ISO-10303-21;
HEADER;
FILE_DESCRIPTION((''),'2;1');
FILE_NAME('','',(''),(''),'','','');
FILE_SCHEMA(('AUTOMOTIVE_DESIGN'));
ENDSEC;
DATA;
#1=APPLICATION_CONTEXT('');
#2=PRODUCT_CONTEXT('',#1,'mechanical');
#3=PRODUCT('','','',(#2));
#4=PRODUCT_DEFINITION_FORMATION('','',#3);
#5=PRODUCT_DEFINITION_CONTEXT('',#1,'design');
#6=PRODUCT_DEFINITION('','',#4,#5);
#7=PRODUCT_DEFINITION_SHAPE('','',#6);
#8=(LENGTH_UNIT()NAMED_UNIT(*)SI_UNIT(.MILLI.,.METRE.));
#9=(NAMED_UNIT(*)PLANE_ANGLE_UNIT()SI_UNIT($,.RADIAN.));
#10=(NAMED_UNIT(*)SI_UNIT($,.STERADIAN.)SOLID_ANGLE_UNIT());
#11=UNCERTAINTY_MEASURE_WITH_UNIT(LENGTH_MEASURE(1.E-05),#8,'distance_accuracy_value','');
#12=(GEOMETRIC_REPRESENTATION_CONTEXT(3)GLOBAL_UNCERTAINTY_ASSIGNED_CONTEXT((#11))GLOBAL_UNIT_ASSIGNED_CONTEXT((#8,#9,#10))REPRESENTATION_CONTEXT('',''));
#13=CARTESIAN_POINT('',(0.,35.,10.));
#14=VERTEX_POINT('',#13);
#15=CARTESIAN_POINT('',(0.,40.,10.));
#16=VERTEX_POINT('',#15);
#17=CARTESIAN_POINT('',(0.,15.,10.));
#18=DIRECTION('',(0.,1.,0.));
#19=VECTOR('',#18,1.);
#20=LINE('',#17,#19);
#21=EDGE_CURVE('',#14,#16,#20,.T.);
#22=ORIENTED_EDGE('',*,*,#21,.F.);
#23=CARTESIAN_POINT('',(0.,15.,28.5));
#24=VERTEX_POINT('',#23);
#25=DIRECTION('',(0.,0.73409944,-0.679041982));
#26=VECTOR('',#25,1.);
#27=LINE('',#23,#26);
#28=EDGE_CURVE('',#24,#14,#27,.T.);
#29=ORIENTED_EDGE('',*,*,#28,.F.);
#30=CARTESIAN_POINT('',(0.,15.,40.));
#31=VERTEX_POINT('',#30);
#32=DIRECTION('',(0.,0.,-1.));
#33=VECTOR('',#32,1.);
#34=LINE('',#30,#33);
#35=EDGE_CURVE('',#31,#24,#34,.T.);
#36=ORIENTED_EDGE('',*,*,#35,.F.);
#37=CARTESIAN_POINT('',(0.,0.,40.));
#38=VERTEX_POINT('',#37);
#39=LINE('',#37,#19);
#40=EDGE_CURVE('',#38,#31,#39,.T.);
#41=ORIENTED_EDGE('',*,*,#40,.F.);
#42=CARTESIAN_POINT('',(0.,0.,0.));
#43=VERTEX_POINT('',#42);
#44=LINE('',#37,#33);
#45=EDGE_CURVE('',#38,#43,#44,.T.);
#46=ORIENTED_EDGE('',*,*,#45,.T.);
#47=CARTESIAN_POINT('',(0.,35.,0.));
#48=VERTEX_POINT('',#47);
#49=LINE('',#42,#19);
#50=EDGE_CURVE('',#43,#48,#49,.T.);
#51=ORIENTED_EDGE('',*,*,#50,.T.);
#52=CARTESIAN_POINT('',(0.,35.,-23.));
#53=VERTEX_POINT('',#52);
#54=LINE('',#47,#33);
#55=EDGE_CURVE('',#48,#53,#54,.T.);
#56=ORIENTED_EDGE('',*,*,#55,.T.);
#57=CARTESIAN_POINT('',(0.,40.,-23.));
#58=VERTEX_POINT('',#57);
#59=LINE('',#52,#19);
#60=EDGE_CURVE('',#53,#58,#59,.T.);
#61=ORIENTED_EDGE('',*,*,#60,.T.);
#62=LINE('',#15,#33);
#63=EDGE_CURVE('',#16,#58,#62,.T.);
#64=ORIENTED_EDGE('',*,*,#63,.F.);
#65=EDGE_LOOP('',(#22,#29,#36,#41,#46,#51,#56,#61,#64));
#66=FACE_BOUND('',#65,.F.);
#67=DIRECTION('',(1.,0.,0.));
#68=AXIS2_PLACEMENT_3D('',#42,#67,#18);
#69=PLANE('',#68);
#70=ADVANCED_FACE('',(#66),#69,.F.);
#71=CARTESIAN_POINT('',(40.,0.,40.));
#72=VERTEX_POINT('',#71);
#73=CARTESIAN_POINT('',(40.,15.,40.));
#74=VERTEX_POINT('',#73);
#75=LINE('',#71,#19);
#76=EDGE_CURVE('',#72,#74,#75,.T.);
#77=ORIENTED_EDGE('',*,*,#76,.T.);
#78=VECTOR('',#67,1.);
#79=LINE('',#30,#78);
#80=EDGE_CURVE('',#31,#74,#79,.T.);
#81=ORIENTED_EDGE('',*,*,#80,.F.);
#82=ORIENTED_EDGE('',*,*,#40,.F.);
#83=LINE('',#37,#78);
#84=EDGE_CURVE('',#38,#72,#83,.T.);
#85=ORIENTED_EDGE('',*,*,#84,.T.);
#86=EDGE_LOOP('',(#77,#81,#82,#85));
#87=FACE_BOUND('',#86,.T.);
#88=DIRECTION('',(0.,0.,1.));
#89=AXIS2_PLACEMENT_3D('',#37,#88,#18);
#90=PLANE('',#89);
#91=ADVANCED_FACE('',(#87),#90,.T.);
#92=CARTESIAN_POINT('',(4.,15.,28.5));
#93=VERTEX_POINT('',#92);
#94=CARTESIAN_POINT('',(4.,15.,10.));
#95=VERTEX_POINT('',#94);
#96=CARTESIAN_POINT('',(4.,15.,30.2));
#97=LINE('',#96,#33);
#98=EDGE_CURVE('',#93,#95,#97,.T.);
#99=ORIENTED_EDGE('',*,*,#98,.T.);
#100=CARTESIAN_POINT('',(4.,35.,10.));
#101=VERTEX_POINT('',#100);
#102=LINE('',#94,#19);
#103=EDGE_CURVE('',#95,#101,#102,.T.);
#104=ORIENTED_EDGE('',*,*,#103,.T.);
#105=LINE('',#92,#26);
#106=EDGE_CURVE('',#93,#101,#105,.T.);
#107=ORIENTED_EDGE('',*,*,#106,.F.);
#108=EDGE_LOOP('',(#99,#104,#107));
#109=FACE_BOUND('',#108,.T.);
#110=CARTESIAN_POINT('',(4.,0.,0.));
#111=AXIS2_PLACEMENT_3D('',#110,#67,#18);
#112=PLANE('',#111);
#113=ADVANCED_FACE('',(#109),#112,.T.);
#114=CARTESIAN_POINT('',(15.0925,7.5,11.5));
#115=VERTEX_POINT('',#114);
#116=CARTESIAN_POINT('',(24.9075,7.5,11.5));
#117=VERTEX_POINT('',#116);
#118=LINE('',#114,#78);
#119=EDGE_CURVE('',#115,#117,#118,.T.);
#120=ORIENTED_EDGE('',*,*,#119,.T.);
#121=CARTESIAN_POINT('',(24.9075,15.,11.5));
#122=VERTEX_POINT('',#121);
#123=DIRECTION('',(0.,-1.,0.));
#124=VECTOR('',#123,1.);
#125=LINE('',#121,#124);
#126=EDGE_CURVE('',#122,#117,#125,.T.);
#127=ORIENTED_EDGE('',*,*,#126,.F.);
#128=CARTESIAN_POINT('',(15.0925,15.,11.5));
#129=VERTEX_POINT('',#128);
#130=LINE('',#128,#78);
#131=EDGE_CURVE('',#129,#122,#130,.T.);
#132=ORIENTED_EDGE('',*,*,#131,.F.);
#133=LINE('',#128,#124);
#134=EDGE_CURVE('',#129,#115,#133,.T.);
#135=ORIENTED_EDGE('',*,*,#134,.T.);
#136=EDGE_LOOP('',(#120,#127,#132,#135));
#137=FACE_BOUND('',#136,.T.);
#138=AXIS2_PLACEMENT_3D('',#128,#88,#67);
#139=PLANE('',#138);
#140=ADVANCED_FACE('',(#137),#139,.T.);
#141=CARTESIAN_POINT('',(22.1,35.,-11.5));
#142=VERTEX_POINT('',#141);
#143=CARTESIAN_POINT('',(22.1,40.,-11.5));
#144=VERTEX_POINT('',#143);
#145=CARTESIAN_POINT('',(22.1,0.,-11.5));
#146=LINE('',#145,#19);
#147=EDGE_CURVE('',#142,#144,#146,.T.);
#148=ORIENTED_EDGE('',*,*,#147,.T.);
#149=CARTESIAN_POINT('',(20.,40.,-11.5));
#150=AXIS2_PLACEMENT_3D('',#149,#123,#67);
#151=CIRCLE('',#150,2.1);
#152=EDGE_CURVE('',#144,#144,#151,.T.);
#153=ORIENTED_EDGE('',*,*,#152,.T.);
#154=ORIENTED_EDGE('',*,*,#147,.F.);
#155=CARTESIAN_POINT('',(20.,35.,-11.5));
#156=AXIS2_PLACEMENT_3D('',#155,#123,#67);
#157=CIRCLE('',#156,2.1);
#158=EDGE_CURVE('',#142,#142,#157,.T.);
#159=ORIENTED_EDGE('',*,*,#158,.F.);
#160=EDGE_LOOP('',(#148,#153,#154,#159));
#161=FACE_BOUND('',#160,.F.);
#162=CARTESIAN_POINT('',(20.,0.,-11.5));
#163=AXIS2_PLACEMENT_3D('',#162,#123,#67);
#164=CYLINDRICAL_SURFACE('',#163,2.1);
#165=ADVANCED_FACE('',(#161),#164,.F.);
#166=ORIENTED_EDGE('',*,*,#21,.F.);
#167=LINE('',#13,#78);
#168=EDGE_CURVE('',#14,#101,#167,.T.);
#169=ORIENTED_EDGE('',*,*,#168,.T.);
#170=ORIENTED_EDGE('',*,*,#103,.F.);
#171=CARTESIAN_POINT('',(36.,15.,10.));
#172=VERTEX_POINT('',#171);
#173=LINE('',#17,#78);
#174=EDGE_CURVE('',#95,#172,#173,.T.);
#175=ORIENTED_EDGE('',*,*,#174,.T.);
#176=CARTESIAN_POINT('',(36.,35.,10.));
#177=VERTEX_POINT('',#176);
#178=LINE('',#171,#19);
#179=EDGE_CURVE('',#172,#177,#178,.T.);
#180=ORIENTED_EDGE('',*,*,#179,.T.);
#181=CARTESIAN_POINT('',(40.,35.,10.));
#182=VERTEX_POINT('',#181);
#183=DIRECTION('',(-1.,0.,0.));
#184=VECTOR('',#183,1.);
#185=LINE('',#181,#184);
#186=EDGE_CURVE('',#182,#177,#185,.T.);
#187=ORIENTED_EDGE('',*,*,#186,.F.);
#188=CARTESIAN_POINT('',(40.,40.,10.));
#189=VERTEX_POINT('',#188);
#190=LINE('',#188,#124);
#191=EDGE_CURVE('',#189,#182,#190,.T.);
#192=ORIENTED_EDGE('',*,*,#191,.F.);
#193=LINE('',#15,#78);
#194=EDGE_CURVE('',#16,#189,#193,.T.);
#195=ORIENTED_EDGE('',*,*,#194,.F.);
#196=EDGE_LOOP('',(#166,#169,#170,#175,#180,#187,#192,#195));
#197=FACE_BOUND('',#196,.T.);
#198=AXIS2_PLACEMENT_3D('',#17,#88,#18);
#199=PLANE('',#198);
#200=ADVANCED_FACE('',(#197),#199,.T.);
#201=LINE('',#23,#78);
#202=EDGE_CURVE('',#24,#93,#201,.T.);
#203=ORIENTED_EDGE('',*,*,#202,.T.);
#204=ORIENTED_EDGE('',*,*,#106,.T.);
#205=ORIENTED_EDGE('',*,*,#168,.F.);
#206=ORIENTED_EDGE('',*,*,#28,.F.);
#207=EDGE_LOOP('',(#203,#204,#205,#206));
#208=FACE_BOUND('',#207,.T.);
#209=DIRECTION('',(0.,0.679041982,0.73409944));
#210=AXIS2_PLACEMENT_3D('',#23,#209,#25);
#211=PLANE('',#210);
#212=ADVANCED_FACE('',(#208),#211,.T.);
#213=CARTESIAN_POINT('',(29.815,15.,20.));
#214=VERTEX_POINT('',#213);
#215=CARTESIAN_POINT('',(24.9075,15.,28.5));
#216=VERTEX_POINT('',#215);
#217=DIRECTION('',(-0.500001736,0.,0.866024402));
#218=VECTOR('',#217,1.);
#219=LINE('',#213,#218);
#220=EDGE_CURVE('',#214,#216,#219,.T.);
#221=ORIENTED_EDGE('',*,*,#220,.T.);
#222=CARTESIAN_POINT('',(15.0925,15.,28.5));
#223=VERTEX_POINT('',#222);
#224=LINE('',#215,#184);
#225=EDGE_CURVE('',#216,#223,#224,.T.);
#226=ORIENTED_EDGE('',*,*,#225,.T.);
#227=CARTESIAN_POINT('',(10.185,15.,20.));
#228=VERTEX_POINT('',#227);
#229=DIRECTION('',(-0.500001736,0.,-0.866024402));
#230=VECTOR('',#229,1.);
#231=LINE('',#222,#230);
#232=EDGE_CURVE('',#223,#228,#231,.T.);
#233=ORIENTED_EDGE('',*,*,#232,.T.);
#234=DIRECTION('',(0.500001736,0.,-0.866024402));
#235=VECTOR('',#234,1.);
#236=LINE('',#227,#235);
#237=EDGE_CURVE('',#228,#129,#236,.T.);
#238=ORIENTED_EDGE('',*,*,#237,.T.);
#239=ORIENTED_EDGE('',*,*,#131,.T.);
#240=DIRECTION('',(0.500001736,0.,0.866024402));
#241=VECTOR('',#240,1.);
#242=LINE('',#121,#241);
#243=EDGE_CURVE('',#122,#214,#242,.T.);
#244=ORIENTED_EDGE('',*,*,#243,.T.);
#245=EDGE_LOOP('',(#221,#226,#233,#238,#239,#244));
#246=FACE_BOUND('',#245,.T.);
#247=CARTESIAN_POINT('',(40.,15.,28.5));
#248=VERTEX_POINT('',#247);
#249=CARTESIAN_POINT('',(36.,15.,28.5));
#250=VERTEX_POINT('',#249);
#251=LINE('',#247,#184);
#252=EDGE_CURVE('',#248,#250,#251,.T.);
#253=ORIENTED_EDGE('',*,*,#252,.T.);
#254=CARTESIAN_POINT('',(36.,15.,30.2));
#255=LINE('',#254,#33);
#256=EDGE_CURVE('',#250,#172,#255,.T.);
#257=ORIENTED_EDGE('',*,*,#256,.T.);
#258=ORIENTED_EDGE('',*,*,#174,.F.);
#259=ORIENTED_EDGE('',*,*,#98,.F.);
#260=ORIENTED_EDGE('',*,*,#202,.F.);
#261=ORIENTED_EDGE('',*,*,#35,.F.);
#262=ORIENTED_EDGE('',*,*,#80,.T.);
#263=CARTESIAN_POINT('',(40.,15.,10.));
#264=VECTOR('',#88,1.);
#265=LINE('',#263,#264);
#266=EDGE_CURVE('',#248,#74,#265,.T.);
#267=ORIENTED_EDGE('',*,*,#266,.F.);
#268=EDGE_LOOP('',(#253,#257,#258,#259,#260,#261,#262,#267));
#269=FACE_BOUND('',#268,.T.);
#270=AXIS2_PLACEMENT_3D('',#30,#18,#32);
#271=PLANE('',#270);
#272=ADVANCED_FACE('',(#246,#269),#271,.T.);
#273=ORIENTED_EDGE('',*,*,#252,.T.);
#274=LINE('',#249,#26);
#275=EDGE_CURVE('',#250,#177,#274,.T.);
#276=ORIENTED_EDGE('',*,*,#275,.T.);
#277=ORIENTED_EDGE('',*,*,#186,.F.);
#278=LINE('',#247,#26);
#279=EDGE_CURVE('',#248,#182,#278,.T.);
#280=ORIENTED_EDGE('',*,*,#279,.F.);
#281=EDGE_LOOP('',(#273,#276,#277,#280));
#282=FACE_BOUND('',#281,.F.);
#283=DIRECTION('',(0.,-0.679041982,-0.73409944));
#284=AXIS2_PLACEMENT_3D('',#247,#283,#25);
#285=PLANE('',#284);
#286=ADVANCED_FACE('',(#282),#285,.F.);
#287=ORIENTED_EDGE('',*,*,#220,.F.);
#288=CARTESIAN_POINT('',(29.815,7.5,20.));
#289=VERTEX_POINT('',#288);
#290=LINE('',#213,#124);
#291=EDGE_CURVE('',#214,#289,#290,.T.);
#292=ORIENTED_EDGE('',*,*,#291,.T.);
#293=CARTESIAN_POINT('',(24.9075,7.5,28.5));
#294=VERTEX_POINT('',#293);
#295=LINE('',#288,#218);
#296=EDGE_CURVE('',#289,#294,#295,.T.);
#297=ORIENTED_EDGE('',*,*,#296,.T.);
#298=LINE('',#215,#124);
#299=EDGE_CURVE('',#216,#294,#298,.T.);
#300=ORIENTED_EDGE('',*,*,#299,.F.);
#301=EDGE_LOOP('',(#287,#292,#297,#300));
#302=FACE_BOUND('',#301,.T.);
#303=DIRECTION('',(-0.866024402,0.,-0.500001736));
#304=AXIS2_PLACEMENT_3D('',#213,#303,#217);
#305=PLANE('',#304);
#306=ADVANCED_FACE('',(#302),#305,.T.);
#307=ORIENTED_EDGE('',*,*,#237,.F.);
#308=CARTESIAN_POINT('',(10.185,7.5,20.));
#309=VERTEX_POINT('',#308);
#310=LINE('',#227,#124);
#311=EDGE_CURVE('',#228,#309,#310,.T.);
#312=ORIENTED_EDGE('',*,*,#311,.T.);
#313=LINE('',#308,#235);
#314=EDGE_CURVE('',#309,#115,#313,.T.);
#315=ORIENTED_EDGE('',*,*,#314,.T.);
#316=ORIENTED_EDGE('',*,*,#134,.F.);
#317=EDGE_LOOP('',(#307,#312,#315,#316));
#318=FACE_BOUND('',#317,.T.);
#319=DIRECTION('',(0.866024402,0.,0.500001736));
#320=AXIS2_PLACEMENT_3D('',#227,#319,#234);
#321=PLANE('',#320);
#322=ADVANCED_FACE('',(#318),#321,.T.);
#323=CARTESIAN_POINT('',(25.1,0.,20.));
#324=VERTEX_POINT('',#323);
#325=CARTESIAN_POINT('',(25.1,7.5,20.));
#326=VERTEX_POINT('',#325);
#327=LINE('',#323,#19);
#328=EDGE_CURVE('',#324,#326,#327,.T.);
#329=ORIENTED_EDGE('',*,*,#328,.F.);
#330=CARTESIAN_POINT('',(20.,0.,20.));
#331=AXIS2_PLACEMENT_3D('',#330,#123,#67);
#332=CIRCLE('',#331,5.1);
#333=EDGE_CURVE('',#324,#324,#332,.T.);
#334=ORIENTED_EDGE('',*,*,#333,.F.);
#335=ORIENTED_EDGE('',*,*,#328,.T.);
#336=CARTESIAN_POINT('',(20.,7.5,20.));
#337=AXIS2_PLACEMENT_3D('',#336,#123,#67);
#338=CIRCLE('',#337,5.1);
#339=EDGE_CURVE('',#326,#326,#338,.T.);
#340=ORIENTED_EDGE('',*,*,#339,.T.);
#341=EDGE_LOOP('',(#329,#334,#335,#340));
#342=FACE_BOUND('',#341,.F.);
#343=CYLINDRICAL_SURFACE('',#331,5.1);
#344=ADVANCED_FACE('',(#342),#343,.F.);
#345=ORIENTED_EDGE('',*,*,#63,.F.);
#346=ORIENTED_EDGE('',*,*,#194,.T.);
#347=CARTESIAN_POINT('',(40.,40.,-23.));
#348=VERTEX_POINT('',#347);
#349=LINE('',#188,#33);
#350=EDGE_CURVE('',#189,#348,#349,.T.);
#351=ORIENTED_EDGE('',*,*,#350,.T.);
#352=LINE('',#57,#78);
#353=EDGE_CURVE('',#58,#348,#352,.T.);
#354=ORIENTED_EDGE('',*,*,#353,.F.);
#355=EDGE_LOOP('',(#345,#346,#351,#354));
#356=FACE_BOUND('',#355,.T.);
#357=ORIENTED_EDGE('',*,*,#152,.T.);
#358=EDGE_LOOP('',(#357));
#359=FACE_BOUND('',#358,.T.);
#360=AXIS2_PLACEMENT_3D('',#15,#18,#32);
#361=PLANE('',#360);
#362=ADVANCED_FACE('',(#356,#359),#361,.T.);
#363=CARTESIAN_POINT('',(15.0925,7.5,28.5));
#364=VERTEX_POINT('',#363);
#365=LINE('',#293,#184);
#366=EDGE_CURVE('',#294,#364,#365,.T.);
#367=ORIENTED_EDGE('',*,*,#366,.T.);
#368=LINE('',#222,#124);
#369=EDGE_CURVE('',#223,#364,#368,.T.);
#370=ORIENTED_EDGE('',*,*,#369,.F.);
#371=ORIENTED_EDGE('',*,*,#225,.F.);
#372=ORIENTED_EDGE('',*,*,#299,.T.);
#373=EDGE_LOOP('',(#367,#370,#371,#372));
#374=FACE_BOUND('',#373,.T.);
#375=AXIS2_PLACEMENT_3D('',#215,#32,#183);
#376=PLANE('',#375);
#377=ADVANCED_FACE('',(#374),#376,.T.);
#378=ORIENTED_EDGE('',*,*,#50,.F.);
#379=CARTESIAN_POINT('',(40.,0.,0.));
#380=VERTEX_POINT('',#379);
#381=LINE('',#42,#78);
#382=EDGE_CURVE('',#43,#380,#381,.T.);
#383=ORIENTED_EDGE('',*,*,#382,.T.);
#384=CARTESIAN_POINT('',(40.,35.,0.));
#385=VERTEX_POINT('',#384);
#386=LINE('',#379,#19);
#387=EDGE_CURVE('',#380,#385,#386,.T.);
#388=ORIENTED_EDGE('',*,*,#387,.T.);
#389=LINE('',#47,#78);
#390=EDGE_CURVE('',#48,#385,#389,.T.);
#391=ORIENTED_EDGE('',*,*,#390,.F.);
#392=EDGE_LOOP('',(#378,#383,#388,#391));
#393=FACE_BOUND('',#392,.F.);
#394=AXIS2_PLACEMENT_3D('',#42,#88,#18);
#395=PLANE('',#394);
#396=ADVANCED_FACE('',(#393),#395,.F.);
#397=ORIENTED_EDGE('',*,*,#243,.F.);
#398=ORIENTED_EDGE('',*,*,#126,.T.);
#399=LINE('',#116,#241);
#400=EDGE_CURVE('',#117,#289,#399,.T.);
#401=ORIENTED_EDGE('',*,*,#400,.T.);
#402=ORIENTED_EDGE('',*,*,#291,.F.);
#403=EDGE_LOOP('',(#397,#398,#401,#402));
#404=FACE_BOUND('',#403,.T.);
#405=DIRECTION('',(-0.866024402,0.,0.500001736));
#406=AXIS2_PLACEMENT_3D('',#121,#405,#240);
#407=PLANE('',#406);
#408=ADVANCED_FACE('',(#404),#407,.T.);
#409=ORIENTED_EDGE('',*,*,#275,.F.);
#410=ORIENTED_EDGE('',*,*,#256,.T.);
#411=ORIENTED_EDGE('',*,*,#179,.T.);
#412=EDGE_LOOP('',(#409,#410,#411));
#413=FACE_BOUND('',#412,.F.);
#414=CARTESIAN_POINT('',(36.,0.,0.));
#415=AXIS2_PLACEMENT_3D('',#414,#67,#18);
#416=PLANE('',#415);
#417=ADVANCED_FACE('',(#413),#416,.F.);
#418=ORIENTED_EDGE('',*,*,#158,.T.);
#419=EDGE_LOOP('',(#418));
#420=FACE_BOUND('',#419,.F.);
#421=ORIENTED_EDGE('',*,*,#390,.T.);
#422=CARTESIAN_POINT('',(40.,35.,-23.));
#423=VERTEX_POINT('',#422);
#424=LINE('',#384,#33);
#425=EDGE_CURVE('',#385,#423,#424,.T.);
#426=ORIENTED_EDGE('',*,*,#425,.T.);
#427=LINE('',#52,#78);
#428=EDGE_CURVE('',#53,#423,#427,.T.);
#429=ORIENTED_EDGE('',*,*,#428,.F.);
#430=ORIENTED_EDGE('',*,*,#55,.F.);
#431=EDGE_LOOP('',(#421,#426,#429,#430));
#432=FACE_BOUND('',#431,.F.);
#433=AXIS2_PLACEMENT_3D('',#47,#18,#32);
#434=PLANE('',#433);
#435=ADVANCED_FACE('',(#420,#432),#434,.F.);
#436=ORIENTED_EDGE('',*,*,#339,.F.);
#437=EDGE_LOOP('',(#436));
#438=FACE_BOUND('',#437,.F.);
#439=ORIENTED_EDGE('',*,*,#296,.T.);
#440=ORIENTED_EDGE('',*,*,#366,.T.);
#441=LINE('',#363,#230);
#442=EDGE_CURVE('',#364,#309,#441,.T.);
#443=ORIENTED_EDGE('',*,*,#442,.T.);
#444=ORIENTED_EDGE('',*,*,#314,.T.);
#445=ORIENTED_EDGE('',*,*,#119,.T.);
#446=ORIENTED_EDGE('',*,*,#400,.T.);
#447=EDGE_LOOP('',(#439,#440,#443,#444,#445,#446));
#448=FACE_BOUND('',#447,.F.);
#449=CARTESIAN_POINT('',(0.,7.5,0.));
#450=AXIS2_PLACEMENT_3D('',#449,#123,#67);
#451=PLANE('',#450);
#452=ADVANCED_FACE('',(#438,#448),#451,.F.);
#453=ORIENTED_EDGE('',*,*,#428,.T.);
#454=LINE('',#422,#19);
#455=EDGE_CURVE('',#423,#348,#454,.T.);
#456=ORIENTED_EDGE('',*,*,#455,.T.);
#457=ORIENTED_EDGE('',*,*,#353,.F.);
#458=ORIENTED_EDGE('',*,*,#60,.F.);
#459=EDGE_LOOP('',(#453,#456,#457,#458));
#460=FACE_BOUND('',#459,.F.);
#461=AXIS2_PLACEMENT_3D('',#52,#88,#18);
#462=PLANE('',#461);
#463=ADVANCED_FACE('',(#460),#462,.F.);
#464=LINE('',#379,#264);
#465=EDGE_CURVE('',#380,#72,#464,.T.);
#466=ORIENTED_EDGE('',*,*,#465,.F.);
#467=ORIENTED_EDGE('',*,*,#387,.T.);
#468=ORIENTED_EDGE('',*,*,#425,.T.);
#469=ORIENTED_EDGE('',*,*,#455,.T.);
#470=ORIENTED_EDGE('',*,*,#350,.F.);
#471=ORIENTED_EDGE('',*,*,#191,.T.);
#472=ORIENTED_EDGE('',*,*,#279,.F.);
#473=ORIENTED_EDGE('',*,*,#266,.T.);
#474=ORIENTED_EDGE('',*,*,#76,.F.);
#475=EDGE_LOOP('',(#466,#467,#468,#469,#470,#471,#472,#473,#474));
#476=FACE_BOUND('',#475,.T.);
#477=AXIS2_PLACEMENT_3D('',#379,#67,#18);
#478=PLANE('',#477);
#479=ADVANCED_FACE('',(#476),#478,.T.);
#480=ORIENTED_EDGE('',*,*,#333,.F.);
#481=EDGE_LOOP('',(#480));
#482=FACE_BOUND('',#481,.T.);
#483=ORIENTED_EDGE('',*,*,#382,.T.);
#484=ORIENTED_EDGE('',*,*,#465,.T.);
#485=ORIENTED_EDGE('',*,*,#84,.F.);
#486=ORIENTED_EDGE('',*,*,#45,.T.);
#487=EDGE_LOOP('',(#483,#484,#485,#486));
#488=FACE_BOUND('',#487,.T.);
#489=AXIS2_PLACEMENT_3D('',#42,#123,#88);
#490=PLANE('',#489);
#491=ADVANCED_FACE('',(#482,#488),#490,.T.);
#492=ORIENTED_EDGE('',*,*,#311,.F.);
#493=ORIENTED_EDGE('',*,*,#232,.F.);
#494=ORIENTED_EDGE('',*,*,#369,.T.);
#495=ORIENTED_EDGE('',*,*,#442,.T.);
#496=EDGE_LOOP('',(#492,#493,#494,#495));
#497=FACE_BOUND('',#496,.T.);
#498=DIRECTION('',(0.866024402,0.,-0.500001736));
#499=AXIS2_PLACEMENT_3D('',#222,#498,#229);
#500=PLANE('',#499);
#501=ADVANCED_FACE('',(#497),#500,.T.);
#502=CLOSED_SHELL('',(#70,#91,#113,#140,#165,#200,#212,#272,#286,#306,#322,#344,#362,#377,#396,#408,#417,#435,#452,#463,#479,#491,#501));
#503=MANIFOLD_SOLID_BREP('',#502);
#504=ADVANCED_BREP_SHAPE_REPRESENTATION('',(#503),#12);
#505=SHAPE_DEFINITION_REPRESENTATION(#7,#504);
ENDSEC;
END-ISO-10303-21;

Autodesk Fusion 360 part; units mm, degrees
sketch "Sketch1" plane through (0, 0, 0) normal (1, 0, 0) x (0, 1, 0)
  line L0 (0, 0) -> (35, 0)
  line L1 (35, 0) -> (35, -23)
  line L2 (35, -23) -> (40, -23)
  line L3 (0, 0) -> (0, 10)
  line L4 (15, 30.2) -> (15, 10)
  line L5 (15, 10) -> (40, 10)
  line L6 (40, 10) -> (40, -23)
  line L7 (0, 10) -> (0, 30)
  line L8 (0, 30) -> (0, 40)
  line L9 (0, 40) -> (15, 40)
  line L10 (15, 40) -> (15, 30.2)
  line L11 (15, 10) -> (15, 28.5) construction
  line L12 (15, 28.5) -> (35, 10)
  dimension "d1" = 35
  dimension "d2" = 23
  dimension "d3" = 5
  dimension "d4" = 10
  dimension "d8" = 20.2
  dimension "d9" = 20
  dimension "d10" = 10
  dimension "d19" = 18.5
extrude "Extrude1" add sketch "Sketch1" along normal blind 40 contours L0 L1 L2 L3 L4 L5 L6 L7 L8 L9 L10
sketch "Sketch2" plane through (0, 0, 0) normal (0, -1, 0) x (1, 0, 0)
  line L0 (0, 40) -> (0, 0)
  line L1 (0, 0) -> (40, 0)
  line L2 (40, 0) -> (40, 40)
  line L3 (40, 40) -> (0, 40)
  line L4 (29.815, 20) -> (24.9075, 28.5)
  line L5 (24.9075, 28.5) -> (15.0925, 28.5)
  line L6 (15.0925, 28.5) -> (10.185, 20)
  line L7 (10.185, 20) -> (15.0925, 11.5)
  line L8 (15.0925, 11.5) -> (24.9075, 11.5)
  line L9 (24.9075, 11.5) -> (29.815, 20)
  line L10 (0, 20) -> (40, 20) construction
  line L11 (20, 40) -> (20, 0) construction
  circle A0 centre (20, 20) radius 5.1
  line L12 (0, 0) -> (0, -11.5) construction
  line L13 (0, -11.5) -> (10, -11.5) construction
  line L14 (10, -11.5) -> (20, -11.5) construction
  circle A1 centre (20, -11.5) radius 2.1
  point P0 (20, 20)
  point P1 (20, 20)
  dimension "d13" = 8.5
  dimension "d14" = 10.2
  dimension "d25" = 11.5
  dimension "d26" = 10
  dimension "d27" = 4.2
extrude "Extrude2" cut sketch "Sketch2" against normal through all contours A0 | A1
extrude "Extrude3" cut sketch "Sketch2" along normal blind 7.5 from surface at -15 contours L4 L5 L6 L7 L8 L9
extrude "Extrude4" add sketch "Sketch1" along normal blind 4 contours L4 L5 L12
extrude "Extrude5" add sketch "Sketch1" against normal blind 4 from surface at 40 contours L4 L5 L12
sketch "Sketch3" plane through (0, 0, 10) normal (0, 0, 1) x (-1, 0, 0)
  line L0 (-36, -35) -> (-40, -35)
  line L1 (-40, -35) -> (-40, -40)
  line L2 (-40, -40) -> (0, -40)
  line L3 (0, -40) -> (0, -35)
  line L4 (0, -35) -> (-4, -35)
  line L5 (-4, -35) -> (-4, -15)
  line L6 (-4, -15) -> (-36, -15)
  line L7 (-36, -15) -> (-36, -35)
  line L8 (0, -40) -> (-10, -40) construction
  line L9 (-10, -40) -> (-10, -27.5) construction
  circle A0 centre (-10, -27.5) radius 1.6
  line L10 (-10, -27.5) -> (-30, -27.5) construction
  circle A1 centre (-30, -27.5) radius 1.6
  dimension "d28" = 10
  dimension "d29" = 12.5
  dimension "d30" = 3.2
  dimension "d31" = 20
  dimension "d32" = 3.2
extrude "Extrude6" cut sketch "Sketch3" along normal through all contours A0 | A1
equation "d8 = 30.200 mm - 10 mm"
equation "d13 = ( 17 / 2 ) * 1 mm"
equation "d19 = 28.50 mm - 10 mm"
equation "d25 = ( 23 / 2 ) * 1 mm"
equation "d29 = ( 25 / 2 ) * 1 mm"
